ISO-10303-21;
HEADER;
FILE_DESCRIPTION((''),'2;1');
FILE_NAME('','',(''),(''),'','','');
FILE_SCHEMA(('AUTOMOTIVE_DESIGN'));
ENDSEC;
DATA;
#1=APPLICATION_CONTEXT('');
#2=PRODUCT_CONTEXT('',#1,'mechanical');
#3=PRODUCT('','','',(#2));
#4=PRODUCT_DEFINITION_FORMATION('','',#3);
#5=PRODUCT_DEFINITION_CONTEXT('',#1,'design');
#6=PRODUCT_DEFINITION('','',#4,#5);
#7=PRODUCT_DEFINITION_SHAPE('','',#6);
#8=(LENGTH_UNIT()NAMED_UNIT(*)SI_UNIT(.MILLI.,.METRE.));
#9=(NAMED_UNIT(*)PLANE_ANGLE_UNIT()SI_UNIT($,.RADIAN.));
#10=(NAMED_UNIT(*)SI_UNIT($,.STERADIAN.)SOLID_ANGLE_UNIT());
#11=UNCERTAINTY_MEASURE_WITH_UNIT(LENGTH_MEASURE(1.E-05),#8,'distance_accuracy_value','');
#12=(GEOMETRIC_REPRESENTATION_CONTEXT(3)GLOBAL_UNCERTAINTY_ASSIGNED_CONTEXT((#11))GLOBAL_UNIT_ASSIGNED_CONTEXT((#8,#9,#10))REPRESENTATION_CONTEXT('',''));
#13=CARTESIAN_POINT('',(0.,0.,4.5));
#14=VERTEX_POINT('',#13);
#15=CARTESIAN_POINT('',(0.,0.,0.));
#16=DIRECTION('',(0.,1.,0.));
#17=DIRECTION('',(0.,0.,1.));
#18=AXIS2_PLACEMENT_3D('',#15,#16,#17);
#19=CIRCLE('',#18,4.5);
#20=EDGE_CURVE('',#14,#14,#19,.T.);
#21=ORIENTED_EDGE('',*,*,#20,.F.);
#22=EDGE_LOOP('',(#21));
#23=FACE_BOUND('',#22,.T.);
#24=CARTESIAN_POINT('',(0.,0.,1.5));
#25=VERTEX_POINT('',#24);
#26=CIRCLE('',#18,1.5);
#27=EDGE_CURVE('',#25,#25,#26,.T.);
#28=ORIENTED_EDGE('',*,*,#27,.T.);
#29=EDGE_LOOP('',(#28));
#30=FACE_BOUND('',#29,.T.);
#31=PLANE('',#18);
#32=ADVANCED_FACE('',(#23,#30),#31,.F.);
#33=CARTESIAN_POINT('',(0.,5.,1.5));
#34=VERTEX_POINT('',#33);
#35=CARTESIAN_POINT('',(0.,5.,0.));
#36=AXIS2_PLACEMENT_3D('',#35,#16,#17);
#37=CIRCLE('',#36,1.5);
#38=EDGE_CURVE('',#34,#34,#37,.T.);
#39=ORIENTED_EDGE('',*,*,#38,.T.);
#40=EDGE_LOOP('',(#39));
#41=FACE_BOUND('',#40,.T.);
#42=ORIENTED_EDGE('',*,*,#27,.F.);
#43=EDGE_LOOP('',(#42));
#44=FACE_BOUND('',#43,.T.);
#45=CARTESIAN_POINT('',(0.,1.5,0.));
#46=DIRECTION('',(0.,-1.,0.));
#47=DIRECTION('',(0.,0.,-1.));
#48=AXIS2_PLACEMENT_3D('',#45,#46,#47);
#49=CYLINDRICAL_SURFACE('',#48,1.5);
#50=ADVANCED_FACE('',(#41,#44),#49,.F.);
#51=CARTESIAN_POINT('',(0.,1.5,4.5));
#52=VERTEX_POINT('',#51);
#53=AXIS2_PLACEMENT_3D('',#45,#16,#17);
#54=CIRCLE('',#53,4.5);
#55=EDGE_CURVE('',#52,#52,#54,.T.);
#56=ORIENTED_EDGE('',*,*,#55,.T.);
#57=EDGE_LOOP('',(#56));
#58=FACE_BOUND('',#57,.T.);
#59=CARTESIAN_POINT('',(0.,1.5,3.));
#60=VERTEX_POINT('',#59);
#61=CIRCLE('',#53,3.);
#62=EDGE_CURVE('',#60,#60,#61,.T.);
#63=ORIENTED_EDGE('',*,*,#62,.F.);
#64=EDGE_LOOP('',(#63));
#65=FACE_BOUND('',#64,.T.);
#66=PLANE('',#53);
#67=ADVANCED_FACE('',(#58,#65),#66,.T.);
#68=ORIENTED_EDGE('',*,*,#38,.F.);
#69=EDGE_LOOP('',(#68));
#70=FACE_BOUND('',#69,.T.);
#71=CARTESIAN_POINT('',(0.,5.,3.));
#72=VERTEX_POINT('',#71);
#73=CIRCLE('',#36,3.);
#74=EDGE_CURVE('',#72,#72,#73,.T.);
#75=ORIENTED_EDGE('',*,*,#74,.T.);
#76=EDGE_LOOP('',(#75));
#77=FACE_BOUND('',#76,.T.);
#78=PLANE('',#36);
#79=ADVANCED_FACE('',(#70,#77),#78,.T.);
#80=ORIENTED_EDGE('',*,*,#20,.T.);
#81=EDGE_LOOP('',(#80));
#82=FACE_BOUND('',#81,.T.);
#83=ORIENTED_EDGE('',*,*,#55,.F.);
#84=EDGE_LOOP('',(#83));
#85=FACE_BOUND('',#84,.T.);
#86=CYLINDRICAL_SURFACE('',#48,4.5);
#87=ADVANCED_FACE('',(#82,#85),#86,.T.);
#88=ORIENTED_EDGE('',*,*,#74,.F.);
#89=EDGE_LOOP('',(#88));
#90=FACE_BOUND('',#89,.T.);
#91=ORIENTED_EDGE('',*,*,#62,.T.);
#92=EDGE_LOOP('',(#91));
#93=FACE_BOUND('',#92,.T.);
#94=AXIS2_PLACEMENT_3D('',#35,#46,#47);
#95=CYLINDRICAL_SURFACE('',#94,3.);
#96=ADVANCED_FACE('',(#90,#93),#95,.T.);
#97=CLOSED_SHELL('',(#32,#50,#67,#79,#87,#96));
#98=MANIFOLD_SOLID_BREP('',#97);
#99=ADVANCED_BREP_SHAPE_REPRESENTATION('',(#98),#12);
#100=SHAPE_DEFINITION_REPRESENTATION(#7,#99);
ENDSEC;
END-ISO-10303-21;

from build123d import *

# Parameters (mm, degrees)
CROQUIS1_R              = 4.5
CROQUIS1_R_2            = 1.5
SALIENTE_EXTRUIR1_DEPTH = 1.5
CROQUIS2_R              = 3
CROQUIS2_R_2            = 1.5
SALIENTE_EXTRUIR2_DEPTH = 3.5


with BuildPart() as part:
    # Croquis1 → Saliente-Extruir1 (new body)
    with BuildSketch(Plane(origin=(0, 0, 0), x_dir=(1, 0, 0), z_dir=(0, 1, 0))):
        with Locations(Location((0, 0, 0), (0, 0, 270))):
            Circle(CROQUIS1_R)
        with Locations(Location((0, 0, 0), (0, 0, 270))):
            Circle(CROQUIS1_R_2, mode=Mode.SUBTRACT)
    extrude(amount=SALIENTE_EXTRUIR1_DEPTH)

    # Croquis2 → Saliente-Extruir2 (add)
    with BuildSketch(Plane(origin=(0, 1.5, 0), x_dir=(1, 0, 0), z_dir=(0, 1, 0))):
        with Locations(Location((0, 0, 0), (0, 0, 270))):
            Circle(CROQUIS2_R)
        with Locations(Location((0, 0, 0), (0, 0, 270))):
            Circle(CROQUIS2_R_2, mode=Mode.SUBTRACT)
    extrude(amount=SALIENTE_EXTRUIR2_DEPTH)


solid = part.part
